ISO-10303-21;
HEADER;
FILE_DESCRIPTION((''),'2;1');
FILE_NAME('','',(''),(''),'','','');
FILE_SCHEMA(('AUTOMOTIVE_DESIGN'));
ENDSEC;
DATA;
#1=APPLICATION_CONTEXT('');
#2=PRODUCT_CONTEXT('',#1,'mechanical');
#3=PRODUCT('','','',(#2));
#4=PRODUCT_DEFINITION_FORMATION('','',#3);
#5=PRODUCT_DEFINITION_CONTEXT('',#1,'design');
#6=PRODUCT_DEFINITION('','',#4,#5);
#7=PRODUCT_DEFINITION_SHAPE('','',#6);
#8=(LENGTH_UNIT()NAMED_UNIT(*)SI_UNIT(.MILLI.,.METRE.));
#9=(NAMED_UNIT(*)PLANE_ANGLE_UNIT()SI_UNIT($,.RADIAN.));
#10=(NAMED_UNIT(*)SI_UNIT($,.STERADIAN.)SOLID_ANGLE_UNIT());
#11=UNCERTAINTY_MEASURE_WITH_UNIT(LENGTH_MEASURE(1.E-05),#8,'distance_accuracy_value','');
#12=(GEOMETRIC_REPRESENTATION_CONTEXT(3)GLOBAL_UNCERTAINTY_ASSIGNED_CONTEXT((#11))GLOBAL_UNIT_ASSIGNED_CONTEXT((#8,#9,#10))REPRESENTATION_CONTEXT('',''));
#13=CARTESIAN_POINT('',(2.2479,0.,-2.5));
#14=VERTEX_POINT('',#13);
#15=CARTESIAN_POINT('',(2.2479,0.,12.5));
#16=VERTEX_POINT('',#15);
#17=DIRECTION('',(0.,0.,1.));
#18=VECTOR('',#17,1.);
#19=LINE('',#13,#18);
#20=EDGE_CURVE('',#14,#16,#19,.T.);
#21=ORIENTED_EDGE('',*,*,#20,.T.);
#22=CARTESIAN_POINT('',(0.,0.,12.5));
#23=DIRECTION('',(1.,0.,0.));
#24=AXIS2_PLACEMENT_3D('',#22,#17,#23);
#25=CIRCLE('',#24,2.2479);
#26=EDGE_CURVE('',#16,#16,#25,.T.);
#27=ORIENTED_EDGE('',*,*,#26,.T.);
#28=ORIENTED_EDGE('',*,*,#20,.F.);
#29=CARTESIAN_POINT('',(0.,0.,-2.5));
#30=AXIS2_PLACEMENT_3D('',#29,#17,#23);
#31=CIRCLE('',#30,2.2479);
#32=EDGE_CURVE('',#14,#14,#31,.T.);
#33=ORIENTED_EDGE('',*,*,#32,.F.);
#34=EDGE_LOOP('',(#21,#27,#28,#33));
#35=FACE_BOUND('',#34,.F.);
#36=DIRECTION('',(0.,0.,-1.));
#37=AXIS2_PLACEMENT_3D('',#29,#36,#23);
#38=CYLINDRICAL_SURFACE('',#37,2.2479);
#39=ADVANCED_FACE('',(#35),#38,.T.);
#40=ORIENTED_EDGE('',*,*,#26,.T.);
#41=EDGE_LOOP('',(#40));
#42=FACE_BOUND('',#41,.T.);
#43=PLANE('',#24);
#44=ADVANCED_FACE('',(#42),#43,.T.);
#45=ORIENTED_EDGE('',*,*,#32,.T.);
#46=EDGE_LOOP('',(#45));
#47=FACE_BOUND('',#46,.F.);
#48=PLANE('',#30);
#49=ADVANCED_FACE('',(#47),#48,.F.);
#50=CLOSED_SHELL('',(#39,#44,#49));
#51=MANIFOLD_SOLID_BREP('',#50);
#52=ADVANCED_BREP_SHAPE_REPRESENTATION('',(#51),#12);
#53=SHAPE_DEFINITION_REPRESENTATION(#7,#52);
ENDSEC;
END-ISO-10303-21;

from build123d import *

# Parameters (mm, degrees)
CYLINDER_R     = 2.2479
CYLINDER_DEPTH = 15


with BuildPart() as part:
    # Cylinder → Cylinder (new body)
    with BuildSketch(Plane.XY.offset(-2.5)):
        Circle(CYLINDER_R)
    extrude(amount=CYLINDER_DEPTH)


solid = part.part
